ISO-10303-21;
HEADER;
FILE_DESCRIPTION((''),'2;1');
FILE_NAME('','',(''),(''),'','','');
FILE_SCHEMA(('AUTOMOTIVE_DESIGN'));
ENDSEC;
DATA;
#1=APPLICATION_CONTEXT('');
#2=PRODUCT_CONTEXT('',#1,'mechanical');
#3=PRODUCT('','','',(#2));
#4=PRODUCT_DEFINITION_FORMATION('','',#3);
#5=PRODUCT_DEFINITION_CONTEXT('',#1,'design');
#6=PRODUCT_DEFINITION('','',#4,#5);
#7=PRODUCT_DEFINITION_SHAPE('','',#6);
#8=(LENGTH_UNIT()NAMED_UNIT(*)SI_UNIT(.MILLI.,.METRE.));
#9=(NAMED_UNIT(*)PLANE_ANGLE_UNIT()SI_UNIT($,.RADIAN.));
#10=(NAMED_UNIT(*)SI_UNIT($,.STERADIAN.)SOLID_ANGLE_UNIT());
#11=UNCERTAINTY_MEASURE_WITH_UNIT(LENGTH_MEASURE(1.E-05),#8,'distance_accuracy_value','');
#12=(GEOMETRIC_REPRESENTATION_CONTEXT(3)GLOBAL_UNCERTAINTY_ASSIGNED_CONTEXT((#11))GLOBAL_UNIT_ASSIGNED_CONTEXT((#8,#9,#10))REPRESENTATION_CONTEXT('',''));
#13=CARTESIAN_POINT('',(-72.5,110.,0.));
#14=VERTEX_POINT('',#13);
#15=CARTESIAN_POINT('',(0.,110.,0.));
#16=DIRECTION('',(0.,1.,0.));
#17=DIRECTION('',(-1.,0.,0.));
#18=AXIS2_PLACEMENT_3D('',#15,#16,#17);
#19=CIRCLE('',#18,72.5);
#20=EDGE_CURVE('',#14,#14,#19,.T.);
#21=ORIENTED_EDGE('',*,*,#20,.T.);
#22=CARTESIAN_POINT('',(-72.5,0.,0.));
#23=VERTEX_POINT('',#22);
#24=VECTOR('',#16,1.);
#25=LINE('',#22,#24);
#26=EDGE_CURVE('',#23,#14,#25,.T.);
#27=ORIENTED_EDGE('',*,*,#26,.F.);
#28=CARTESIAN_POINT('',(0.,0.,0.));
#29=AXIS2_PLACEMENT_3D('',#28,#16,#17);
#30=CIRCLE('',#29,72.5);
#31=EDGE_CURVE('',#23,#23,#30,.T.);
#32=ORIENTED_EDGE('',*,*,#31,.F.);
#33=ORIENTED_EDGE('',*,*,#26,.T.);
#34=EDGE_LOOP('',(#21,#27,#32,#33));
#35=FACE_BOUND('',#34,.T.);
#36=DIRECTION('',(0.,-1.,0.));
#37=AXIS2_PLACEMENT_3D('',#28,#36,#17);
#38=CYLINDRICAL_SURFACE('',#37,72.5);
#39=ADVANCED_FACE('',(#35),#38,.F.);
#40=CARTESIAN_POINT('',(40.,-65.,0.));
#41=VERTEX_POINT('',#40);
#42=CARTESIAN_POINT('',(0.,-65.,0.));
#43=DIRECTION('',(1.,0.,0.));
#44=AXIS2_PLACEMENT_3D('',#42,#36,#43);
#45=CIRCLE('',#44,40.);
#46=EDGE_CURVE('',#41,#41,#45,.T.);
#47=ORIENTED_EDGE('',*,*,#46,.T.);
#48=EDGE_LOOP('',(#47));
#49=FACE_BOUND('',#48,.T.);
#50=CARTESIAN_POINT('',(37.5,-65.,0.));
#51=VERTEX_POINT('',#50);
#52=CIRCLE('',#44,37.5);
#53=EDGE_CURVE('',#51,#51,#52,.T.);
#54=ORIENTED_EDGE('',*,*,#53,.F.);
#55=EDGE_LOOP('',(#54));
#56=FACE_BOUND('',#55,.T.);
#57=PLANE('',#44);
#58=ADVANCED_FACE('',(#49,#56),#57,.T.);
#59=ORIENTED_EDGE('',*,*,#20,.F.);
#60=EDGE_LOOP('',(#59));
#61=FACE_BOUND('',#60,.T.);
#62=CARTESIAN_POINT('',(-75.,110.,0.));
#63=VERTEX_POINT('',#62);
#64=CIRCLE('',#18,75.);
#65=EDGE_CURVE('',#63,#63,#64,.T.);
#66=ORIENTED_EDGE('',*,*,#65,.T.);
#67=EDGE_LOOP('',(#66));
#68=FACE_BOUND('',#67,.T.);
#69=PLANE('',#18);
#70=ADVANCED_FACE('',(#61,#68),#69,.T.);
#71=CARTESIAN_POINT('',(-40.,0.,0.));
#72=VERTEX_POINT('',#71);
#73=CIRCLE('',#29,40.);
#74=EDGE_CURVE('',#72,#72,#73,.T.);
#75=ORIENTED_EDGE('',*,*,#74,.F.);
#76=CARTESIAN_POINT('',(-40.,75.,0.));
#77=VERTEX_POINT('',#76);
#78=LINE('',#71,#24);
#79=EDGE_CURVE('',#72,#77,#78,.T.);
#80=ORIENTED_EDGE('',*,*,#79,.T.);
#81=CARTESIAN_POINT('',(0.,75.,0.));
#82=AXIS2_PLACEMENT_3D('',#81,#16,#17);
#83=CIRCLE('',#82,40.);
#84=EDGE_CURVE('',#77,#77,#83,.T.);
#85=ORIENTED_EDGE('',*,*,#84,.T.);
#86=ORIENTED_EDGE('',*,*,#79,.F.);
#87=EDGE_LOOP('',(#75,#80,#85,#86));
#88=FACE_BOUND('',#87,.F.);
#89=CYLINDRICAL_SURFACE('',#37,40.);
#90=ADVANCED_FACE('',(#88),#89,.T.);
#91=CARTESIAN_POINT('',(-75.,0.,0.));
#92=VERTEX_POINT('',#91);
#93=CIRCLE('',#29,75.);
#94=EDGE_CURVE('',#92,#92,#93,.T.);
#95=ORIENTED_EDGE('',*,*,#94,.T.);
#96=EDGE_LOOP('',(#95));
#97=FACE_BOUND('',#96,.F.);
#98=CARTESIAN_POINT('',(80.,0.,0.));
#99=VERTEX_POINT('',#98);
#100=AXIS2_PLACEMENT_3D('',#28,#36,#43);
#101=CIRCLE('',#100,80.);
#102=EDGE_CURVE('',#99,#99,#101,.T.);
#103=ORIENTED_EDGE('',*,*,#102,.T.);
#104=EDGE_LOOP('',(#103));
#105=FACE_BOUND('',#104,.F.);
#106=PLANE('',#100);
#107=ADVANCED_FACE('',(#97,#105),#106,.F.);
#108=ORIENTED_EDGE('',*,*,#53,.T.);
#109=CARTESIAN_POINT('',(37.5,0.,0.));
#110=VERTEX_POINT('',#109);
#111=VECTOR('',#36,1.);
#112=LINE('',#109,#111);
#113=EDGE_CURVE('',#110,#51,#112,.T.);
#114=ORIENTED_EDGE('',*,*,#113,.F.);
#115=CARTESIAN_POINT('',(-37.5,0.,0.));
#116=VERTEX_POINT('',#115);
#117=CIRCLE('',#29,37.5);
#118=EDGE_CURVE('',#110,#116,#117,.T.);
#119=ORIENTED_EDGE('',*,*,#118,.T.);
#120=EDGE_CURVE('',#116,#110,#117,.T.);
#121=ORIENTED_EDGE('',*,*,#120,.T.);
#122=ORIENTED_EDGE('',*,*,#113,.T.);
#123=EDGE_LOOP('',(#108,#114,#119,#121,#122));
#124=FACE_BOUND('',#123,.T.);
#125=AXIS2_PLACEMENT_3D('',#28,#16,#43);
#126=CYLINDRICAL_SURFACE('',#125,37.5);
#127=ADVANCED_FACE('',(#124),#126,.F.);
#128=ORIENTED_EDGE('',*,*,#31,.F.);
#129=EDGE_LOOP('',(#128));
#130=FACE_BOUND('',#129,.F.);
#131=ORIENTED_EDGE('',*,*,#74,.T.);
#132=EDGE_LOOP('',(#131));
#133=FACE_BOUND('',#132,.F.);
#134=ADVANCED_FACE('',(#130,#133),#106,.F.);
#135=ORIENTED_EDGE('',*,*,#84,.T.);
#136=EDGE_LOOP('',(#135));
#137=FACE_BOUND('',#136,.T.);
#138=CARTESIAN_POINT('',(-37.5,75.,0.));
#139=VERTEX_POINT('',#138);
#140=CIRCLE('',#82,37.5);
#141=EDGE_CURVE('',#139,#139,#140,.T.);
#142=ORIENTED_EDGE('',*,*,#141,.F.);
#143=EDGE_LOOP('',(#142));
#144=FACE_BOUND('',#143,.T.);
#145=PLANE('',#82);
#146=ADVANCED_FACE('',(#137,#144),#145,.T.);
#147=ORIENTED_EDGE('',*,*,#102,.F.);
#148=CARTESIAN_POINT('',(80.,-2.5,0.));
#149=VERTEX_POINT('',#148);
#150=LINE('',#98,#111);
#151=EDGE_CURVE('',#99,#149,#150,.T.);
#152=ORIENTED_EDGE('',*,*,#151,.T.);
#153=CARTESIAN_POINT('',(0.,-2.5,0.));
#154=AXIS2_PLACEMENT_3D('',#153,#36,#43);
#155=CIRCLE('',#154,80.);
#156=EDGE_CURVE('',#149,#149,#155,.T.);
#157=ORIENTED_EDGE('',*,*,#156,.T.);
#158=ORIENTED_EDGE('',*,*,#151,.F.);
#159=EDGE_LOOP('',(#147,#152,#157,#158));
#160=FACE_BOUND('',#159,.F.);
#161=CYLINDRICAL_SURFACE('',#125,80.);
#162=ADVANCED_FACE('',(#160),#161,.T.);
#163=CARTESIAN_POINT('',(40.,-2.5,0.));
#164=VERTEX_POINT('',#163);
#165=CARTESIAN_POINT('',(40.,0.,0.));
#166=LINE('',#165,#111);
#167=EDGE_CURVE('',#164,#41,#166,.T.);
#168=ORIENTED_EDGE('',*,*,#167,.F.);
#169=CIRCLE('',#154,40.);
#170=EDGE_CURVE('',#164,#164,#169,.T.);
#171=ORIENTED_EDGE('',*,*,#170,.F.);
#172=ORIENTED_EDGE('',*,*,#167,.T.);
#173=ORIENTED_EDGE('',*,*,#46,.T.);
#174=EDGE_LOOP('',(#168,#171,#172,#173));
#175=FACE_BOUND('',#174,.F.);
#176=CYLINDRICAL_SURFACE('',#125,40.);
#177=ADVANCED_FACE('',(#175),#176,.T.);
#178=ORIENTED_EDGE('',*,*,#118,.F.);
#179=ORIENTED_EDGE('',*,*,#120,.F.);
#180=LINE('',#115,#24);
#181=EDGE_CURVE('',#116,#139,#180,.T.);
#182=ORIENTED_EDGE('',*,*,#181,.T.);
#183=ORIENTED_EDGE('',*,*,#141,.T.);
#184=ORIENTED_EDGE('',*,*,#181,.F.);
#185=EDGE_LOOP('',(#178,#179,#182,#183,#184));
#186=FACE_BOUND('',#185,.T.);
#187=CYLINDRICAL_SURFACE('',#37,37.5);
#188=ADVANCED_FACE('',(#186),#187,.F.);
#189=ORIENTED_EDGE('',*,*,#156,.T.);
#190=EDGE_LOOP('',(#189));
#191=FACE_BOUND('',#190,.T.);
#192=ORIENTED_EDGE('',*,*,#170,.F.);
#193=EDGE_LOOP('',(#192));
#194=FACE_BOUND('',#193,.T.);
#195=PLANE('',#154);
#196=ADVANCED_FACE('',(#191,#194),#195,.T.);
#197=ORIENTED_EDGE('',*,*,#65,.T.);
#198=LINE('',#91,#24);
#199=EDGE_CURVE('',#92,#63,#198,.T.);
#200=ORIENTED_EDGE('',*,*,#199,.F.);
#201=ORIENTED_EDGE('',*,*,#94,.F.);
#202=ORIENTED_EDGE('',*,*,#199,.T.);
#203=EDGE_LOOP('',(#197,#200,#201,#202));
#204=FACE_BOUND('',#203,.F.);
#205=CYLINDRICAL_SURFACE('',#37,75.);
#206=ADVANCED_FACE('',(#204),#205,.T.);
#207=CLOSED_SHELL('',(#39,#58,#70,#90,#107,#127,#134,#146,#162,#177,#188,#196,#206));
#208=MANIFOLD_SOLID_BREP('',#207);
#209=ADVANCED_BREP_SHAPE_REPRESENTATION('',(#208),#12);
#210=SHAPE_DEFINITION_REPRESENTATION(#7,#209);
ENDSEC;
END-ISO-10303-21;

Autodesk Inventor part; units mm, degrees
ref_plane "YZ Plane" through (0, 0, 0) normal (1, 0, 0) x (0, 1, 0)
ref_plane "XZ Plane" through (0, 0, 0) normal (0, 1, 0) x (-1, 0, 0)
ref_plane "XY Plane" through (0, 0, 0) normal (0, 0, 1) x (1, 0, 0)
sketch "Sketch1" plane through (0, 0, 0) normal (0, 1, 0) x (-1, 0, 0)
  circle A0 centre (0, 0) radius 72.5
  circle A1 centre (0, 0) radius 75
  dimension "d0" = 150
  dimension "d1" = 145
extrude "Extrusion1" add sketch "Sketch1" along normal blind 110
sketch "Sketch2" plane through (0, 0, 0) normal (0, 1, 0) x (-1, 0, 0)
  circle A0 centre (0, 0) radius 40
  circle A1 centre (0, 0) radius 37.5
  dimension "d4" = 75
  dimension "d5" = 2.5
extrude "Extrusion2" add sketch "Sketch2" along normal blind 75
sketch "Sketch3" plane through (0, 0, 0) normal (0, -1, 0) x (1, 0, 0)
  circle A0 centre (0, 0) radius 80
  circle A1 centre (0, 0) radius 40 projected
  dimension "d8" = 160
extrude "Extrusion3" add sketch "Sketch3" along normal blind 2.5
sketch "Sketch4" plane through (0, 0, 0) normal (0, -1, 0) x (1, 0, 0)
  circle A0 centre (0, 0) radius 40 projected
  circle A1 centre (0, 0) radius 37.5 projected
extrude "Extrusion4" add sketch "Sketch4" along normal blind 65
properties part number "_Ref_SkimmerCup"
